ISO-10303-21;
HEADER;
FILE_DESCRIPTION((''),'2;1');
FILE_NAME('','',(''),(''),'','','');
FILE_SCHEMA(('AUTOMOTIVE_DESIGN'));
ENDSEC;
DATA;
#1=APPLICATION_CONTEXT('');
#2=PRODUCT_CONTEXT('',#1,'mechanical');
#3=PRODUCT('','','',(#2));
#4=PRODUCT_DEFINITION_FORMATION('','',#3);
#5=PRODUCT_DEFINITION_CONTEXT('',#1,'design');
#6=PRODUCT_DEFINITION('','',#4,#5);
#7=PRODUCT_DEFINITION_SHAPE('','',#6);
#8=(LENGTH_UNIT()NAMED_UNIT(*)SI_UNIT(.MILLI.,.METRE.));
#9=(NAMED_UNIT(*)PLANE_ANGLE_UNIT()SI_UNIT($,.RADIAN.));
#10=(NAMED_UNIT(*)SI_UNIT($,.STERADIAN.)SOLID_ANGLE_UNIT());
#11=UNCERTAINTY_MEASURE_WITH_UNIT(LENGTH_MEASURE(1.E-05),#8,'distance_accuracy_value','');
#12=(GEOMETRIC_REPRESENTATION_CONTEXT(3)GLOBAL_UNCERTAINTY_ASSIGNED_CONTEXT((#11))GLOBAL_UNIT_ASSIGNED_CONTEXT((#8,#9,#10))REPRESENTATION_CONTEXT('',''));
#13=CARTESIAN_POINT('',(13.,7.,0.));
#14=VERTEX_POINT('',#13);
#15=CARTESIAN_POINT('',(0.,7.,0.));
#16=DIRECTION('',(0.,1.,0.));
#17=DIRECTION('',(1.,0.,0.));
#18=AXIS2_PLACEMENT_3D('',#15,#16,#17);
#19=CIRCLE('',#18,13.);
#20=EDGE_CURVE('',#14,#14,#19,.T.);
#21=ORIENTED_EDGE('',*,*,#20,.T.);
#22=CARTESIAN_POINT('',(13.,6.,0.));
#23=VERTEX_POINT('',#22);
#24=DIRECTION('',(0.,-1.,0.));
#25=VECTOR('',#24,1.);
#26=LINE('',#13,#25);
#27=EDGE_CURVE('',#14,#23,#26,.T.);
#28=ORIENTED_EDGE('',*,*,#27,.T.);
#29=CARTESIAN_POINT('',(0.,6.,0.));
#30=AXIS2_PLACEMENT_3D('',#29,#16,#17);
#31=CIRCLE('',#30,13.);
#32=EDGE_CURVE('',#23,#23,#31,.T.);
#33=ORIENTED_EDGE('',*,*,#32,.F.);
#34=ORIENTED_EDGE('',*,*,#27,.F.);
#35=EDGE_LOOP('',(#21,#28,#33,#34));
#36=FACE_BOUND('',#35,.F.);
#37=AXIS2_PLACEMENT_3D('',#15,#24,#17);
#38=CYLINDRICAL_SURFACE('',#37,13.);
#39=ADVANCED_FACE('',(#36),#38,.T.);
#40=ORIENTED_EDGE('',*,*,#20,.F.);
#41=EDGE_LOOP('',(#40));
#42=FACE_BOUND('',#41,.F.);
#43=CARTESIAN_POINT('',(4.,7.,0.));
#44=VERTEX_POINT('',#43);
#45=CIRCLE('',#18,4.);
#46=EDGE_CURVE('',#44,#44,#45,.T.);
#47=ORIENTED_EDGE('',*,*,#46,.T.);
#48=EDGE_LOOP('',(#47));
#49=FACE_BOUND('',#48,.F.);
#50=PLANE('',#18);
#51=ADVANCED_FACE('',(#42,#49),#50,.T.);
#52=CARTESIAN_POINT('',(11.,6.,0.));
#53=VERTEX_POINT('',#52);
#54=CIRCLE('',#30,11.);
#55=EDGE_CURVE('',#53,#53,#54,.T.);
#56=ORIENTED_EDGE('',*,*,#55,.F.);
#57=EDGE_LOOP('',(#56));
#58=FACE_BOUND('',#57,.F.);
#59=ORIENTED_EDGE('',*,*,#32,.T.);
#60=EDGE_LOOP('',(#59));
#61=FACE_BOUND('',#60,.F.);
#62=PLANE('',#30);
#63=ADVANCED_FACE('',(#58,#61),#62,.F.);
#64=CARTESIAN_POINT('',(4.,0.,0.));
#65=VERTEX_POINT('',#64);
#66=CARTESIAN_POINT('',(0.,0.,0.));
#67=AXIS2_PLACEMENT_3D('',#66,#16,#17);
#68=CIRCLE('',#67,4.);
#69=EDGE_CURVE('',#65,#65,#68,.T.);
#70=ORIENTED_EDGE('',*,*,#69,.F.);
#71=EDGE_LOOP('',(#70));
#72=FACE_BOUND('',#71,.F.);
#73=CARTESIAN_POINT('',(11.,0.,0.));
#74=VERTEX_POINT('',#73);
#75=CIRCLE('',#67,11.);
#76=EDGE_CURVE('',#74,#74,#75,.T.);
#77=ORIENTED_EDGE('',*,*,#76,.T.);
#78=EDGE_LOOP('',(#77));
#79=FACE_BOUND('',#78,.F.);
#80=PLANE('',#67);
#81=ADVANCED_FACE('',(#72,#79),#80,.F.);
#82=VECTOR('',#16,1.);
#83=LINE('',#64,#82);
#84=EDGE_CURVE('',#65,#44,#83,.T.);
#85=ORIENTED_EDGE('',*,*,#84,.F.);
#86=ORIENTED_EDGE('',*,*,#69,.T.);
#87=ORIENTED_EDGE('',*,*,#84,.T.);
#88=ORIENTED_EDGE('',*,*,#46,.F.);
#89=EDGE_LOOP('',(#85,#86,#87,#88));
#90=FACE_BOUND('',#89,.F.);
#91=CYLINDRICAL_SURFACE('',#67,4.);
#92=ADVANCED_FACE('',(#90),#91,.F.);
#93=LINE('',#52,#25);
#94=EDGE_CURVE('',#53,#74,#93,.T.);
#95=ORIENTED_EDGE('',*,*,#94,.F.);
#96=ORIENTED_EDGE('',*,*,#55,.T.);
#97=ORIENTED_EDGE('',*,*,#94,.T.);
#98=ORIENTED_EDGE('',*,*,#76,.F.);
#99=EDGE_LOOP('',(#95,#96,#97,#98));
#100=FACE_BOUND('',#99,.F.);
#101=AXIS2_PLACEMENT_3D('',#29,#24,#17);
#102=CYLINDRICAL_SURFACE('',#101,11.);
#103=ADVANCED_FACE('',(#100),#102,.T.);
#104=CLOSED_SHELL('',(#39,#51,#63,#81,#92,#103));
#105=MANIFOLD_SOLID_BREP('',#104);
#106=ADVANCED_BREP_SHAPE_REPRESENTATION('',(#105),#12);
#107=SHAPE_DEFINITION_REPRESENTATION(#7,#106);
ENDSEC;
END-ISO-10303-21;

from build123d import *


with BuildPart() as part:
    # Sketch → Revolve (revolve)
    with BuildSketch(Plane.XY):
        Polygon((4, 7), (13, 7), (13, 6), (11, 6), (11, 0), (4, 0), align=None)
    revolve(axis=Axis((0, 0, 0), (0, 1, 0)))


solid = part.part
